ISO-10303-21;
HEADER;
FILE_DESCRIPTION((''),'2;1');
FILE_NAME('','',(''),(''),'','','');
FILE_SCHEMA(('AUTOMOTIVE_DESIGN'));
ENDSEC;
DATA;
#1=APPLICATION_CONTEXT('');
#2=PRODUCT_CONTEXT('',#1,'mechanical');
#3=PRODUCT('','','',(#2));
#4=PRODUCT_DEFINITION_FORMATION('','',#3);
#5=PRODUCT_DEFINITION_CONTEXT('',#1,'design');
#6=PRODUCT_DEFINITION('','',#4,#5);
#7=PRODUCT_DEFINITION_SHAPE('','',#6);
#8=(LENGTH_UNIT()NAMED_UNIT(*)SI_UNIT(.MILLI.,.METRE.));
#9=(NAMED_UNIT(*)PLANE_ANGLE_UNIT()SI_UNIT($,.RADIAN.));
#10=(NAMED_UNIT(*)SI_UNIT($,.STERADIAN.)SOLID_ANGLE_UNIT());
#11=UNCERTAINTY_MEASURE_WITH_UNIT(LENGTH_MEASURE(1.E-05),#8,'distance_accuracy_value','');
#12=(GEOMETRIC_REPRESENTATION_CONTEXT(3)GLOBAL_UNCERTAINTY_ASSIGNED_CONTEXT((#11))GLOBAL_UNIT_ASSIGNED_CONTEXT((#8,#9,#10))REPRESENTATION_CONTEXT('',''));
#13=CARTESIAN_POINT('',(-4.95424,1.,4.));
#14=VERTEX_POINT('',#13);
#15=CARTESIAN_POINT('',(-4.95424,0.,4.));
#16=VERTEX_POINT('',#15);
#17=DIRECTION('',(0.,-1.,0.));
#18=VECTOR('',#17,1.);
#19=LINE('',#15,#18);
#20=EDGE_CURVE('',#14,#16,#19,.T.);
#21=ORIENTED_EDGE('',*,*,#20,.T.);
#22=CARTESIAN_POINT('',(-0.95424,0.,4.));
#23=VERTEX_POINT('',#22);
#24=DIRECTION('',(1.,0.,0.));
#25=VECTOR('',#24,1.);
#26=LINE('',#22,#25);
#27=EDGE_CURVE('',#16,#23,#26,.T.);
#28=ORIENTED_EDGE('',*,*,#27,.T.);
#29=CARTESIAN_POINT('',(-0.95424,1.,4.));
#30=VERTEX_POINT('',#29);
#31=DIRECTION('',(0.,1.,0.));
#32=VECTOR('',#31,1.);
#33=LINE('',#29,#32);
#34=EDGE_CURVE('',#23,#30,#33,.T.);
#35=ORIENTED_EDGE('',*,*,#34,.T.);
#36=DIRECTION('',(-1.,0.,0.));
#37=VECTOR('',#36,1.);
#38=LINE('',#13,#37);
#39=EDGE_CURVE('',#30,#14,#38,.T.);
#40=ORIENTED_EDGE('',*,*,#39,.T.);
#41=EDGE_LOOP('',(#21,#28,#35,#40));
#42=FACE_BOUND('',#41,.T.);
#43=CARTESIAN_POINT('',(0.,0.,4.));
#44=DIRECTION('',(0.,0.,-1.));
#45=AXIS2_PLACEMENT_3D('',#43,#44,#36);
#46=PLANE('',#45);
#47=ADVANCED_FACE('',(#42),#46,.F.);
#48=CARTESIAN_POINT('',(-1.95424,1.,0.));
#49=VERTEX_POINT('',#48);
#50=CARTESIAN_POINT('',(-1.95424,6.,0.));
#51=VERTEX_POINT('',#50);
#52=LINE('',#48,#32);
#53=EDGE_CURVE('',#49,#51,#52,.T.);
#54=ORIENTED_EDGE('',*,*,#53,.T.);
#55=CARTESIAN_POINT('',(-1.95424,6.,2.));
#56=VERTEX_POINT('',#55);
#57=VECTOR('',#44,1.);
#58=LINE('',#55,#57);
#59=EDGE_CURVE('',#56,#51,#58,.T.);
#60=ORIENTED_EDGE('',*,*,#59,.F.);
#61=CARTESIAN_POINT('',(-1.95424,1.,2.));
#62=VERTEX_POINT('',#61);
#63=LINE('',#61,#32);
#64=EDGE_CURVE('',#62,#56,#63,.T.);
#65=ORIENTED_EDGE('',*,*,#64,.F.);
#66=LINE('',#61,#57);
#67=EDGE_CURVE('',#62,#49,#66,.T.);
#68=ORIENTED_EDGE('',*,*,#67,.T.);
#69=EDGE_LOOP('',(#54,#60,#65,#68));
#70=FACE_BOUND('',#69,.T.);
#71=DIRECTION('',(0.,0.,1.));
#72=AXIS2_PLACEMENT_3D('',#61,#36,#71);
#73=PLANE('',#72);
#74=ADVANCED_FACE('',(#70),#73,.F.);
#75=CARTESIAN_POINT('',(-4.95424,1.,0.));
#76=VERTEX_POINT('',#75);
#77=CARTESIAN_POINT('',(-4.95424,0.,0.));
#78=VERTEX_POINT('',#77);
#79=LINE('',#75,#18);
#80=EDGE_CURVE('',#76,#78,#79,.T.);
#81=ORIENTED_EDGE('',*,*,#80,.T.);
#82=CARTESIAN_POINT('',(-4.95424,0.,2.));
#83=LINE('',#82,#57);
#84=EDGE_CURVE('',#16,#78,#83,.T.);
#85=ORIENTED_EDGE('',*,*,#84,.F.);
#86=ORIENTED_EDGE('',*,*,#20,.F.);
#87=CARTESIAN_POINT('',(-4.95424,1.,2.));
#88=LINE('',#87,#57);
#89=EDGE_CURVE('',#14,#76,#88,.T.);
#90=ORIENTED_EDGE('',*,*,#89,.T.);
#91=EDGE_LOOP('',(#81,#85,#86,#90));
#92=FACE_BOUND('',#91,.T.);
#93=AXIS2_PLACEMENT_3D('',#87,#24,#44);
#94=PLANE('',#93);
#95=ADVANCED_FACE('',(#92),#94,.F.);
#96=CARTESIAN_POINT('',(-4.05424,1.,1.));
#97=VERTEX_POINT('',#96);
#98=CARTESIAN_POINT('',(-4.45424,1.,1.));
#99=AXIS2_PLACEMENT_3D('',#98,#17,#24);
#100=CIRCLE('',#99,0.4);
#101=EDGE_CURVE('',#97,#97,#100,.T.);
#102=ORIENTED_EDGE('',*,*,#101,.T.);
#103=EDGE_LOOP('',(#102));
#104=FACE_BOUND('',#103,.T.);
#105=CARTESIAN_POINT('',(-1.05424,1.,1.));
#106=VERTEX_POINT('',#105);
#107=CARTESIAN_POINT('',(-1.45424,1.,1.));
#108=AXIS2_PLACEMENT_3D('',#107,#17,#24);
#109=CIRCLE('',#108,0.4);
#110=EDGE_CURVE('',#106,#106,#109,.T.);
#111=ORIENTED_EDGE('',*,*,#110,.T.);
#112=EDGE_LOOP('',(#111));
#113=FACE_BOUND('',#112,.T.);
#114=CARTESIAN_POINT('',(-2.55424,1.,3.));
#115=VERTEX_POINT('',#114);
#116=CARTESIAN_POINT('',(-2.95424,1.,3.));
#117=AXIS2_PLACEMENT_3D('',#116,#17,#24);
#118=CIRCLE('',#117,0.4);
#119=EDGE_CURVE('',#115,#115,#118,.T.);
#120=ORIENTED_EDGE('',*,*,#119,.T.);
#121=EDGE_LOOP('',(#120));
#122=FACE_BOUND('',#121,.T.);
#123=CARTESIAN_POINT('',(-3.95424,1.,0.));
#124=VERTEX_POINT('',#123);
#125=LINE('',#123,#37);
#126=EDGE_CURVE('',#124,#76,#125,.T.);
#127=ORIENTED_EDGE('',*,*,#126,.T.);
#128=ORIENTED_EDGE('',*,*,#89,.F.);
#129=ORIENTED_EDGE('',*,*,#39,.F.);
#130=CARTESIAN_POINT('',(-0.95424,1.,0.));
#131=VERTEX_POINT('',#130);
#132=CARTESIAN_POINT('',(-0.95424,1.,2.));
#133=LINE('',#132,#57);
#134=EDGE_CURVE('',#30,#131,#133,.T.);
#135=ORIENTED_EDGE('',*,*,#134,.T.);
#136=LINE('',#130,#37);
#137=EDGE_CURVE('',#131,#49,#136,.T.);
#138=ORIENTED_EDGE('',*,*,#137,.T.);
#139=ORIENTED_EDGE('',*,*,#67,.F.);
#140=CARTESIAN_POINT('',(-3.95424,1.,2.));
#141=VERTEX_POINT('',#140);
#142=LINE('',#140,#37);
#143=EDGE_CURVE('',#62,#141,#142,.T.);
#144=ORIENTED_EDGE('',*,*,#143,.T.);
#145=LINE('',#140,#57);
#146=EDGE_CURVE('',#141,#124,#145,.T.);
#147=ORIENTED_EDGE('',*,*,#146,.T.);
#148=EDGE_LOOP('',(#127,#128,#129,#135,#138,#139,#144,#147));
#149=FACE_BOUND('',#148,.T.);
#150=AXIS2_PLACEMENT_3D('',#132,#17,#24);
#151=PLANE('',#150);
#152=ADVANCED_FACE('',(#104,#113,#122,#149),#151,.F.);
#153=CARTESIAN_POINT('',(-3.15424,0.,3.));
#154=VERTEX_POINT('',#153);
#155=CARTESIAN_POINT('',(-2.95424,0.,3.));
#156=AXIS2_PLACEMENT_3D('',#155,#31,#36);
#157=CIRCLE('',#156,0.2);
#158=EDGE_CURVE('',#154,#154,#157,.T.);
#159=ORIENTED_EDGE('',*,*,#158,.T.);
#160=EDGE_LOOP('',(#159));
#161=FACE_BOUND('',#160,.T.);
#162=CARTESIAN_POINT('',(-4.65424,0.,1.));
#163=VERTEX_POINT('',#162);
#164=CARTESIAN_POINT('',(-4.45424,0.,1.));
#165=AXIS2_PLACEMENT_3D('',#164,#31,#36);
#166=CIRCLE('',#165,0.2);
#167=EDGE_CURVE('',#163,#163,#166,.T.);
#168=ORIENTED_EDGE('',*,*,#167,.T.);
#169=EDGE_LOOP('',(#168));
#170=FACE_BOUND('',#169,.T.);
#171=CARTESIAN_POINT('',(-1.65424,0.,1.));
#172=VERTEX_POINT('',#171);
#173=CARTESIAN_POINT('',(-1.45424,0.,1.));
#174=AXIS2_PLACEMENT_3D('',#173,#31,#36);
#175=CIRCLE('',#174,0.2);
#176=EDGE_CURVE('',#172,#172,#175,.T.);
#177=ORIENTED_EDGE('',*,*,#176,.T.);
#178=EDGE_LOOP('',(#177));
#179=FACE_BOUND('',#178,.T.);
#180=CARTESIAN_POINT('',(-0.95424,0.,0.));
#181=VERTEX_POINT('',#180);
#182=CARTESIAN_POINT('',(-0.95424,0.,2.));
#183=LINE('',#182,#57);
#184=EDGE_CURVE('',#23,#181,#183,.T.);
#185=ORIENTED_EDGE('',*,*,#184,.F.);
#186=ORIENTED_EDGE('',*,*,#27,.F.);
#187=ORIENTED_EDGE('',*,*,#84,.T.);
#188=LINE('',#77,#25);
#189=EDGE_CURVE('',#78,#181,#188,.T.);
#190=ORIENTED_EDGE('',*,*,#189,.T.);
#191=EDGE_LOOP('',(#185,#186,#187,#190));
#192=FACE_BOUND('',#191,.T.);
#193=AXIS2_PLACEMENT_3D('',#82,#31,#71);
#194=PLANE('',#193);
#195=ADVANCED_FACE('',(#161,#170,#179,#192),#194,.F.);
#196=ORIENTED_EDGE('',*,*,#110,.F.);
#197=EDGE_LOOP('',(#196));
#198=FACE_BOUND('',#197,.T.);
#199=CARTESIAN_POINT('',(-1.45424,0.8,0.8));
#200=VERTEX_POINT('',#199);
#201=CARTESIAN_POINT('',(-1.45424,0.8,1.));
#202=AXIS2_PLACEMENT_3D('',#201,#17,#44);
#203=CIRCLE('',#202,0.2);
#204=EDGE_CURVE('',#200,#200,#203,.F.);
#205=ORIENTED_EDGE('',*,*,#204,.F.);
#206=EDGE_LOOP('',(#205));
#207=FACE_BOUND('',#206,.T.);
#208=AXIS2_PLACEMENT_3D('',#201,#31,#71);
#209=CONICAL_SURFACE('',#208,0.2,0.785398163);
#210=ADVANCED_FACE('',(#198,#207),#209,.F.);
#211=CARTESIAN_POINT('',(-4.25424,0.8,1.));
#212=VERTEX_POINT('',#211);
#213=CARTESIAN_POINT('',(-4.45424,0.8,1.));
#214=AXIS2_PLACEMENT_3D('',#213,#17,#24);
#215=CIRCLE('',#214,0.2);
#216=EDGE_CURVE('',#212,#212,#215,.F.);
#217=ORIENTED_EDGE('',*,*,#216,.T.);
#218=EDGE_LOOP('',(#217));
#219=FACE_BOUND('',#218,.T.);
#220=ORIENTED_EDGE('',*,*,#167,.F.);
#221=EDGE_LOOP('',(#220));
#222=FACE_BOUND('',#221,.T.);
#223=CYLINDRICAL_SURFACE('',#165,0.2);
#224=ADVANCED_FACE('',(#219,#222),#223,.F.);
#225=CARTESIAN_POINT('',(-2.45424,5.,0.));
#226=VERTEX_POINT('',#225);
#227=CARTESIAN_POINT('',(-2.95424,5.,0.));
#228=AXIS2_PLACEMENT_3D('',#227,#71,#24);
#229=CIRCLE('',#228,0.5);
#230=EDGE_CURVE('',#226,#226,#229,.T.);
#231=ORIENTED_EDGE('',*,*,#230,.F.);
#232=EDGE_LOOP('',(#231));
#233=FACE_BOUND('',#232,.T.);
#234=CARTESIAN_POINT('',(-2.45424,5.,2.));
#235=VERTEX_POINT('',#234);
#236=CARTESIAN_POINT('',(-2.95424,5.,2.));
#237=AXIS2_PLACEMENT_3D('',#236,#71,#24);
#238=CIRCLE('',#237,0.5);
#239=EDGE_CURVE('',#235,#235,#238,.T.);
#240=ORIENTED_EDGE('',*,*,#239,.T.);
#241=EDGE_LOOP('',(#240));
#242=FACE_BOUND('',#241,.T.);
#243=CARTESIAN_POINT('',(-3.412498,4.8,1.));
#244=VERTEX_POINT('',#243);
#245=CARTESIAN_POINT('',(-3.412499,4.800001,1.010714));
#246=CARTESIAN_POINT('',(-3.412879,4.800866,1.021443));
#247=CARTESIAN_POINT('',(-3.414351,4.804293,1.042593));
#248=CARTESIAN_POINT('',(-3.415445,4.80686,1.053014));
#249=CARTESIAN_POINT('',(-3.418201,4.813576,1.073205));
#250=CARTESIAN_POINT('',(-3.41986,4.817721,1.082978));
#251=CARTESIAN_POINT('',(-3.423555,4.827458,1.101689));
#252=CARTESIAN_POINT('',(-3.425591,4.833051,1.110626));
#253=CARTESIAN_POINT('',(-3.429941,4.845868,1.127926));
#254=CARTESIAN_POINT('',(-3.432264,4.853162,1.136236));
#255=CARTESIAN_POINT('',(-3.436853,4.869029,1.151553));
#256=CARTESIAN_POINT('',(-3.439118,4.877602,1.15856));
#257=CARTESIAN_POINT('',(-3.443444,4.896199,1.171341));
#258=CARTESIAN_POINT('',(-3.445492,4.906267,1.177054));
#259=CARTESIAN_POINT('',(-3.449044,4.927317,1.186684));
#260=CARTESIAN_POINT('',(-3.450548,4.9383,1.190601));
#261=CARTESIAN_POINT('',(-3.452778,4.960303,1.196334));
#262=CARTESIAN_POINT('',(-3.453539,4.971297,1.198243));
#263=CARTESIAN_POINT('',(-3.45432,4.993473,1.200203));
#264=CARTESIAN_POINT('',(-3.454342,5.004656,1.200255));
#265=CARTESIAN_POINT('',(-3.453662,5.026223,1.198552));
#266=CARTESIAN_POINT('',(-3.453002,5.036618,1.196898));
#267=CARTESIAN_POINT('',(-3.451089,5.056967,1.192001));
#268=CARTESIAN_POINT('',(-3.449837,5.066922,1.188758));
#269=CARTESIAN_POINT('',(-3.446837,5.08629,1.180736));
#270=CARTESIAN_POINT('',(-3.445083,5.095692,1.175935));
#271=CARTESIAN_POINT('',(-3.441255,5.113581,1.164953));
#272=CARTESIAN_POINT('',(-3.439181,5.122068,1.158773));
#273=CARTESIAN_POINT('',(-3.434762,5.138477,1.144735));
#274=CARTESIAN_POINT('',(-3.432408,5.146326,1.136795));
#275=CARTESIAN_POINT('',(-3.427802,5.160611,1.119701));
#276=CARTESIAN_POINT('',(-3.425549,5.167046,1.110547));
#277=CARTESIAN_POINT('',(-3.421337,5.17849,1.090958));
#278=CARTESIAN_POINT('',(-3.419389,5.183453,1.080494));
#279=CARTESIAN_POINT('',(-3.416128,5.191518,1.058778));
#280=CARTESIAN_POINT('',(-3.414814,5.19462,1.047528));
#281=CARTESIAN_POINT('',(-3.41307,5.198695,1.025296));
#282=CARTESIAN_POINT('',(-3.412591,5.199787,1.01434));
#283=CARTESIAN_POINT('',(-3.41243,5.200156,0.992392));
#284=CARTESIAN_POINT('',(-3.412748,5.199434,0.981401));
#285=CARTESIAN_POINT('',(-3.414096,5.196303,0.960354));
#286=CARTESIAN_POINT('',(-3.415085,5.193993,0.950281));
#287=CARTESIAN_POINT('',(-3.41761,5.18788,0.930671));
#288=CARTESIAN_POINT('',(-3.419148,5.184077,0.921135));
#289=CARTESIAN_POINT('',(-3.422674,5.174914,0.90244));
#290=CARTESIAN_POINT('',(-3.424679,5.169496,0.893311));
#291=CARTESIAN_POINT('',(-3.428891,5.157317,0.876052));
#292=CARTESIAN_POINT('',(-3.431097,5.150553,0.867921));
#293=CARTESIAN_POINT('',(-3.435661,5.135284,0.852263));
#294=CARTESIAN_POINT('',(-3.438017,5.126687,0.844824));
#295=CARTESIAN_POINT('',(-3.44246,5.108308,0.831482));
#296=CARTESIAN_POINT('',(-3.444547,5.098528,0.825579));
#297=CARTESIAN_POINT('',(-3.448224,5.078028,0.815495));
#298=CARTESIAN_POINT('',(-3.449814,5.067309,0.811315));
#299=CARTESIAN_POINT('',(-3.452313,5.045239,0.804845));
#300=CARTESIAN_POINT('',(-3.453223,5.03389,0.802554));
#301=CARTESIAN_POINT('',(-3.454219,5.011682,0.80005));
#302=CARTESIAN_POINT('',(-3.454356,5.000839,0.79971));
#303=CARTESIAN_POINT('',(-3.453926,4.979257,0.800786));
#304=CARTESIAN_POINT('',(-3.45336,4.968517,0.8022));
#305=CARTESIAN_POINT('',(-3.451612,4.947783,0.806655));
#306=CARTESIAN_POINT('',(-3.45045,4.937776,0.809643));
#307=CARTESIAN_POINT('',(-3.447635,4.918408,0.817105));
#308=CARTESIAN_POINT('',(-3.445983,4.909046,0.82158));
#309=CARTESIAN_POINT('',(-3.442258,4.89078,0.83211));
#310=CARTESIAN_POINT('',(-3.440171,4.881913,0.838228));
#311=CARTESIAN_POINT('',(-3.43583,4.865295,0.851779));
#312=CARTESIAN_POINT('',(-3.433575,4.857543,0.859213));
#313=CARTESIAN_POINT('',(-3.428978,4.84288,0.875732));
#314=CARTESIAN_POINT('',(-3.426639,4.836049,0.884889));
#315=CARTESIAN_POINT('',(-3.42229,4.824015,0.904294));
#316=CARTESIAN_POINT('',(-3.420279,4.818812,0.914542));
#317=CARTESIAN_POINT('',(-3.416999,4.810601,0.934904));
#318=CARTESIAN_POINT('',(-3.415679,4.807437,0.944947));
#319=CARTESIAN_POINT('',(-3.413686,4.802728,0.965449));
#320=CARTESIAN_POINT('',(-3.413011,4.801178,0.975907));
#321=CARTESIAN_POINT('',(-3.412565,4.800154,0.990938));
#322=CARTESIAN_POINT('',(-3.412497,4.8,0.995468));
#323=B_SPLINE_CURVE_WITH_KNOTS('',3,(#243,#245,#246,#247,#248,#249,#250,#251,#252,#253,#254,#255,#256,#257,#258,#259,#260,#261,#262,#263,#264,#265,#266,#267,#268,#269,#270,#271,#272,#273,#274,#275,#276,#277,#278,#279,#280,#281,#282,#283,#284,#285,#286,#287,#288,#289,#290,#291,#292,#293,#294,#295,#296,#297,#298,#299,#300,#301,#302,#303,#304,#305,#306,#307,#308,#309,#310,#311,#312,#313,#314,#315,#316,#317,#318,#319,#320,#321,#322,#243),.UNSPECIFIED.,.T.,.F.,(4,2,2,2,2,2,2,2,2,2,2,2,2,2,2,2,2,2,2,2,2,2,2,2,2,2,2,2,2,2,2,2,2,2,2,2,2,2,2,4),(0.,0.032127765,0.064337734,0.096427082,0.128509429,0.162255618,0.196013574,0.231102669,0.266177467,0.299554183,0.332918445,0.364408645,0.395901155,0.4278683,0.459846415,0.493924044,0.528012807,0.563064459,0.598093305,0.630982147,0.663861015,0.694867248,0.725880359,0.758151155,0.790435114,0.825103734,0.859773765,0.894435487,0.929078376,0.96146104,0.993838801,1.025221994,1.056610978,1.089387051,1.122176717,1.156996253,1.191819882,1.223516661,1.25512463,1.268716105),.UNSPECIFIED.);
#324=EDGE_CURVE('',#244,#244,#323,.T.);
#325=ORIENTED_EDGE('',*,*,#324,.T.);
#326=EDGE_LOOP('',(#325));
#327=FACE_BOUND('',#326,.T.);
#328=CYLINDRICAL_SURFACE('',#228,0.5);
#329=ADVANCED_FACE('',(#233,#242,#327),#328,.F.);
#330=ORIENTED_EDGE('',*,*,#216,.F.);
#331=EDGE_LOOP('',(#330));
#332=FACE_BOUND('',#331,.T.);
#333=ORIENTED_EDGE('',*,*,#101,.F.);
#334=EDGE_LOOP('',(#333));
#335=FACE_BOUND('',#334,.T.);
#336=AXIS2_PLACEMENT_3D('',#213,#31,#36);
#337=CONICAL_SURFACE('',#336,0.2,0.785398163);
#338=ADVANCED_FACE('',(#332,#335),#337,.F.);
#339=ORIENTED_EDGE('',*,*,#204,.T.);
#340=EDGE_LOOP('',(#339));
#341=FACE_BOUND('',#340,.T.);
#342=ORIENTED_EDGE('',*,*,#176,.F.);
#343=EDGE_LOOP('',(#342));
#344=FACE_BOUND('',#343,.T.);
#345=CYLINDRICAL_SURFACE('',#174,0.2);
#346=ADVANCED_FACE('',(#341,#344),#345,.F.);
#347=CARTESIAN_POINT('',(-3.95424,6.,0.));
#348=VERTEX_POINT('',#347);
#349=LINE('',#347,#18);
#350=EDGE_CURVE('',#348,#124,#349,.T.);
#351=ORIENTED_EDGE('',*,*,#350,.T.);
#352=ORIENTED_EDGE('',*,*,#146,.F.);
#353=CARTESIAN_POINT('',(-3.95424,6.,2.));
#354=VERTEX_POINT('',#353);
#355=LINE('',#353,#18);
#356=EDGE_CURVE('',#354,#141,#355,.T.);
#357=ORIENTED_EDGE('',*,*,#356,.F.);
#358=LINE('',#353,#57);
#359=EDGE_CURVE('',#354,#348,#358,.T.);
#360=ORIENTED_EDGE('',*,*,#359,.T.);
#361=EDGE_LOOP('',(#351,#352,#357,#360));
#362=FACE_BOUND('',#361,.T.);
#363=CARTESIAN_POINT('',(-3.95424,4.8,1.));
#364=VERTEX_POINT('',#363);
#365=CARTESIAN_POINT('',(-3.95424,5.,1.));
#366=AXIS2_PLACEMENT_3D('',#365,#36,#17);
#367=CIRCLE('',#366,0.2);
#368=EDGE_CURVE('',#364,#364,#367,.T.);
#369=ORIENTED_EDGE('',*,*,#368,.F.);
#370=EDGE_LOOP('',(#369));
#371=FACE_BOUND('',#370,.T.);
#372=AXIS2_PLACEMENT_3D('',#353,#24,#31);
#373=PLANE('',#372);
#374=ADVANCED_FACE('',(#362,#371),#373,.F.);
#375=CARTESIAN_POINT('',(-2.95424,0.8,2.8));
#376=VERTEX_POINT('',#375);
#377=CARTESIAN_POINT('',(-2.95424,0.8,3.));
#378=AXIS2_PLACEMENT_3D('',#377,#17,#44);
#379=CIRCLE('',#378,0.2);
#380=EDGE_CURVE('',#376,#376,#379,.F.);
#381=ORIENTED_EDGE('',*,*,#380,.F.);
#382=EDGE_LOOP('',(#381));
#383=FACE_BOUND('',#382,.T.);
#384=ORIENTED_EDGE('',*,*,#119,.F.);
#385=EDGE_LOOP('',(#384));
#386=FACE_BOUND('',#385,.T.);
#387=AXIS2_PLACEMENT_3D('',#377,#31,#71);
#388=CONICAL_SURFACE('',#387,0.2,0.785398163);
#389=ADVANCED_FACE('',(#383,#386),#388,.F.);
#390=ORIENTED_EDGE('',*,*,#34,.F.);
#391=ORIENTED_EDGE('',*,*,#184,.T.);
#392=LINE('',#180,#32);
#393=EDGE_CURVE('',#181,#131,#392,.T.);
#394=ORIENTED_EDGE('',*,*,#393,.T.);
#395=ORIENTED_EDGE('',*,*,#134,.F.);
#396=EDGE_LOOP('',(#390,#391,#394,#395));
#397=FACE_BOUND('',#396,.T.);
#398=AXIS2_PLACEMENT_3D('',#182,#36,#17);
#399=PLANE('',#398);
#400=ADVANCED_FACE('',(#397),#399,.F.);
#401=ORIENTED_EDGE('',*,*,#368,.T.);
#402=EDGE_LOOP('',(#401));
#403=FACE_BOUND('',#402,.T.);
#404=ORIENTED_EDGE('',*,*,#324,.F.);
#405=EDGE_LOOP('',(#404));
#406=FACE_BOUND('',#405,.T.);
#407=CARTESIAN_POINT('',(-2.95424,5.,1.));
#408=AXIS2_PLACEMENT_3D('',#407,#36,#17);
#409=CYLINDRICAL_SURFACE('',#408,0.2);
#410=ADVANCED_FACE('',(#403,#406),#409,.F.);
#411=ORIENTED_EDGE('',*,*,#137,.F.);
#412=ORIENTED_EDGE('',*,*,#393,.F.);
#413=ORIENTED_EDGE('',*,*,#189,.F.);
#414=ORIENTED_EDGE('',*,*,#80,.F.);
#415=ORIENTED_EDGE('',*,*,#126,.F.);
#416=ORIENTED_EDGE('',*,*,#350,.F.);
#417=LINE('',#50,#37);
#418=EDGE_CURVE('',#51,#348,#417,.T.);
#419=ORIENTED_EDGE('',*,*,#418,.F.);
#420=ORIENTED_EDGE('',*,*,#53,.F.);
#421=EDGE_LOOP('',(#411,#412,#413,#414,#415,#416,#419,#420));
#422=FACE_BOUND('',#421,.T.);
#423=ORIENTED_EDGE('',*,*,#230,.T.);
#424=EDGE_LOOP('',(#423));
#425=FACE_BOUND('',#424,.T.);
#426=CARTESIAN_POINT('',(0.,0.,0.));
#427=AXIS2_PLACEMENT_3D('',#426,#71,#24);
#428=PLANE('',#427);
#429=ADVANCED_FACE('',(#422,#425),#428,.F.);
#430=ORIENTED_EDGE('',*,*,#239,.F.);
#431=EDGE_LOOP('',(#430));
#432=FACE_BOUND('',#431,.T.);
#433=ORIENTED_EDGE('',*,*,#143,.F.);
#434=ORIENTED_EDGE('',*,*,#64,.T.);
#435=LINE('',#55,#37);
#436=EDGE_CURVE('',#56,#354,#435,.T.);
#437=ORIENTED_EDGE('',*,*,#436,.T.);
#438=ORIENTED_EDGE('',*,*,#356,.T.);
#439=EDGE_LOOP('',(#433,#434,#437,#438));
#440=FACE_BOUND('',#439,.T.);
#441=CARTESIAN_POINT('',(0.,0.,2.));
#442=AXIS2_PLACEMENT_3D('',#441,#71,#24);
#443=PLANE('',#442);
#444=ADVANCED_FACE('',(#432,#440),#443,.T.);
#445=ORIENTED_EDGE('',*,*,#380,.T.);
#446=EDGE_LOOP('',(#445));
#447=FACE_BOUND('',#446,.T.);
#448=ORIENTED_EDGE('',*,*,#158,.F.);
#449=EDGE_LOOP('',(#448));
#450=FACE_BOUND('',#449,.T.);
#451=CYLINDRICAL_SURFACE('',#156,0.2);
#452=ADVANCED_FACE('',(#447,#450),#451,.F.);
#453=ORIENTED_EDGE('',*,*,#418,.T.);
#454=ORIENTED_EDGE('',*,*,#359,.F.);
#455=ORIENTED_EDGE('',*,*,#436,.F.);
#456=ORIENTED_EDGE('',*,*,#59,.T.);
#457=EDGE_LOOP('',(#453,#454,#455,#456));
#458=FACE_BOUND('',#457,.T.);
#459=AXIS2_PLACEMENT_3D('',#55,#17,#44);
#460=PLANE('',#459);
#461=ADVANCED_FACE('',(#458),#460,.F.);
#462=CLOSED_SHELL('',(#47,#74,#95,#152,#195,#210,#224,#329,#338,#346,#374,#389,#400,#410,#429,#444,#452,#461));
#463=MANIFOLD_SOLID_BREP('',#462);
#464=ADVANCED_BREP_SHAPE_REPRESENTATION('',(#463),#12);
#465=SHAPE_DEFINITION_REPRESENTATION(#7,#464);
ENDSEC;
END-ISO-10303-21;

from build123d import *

# Parameters (mm, degrees)
BOSS_EXTRU_2_DEPTH      = 2
BOSS_EXTRU_3_DEPTH      = 2
ESQUISSE4_R             = 0.5
ENL_V_MAT_EXTRU_1_DEPTH = 2
ESQUISSE5_R             = 0.2
ENL_V_MAT_EXTRU_2_DEPTH = 1
ESQUISSE6_R             = 0.2
ENL_V_MAT_EXTRU_3_DEPTH = 1
CHANFREIN1_SIZE         = 0.2
CHANFREIN2_SIZE         = 0.2
CHANFREIN3_SIZE         = 0.2


with BuildPart() as part:
    # Esquisse1 → Boss.-Extru.2 (new body)
    with BuildSketch(Plane.XY):
        Polygon((-4.954240171, 0), (-0.954240171, 0), (-0.954240171, 1), (-1.954240171, 1), (-1.954240171, 6), (-3.954240171, 6), (-3.954240171, 1), (-4.954240171, 1), align=None)
    extrude(amount=BOSS_EXTRU_2_DEPTH)

    # Esquisse3 → Boss.-Extru.3 (add)
    with BuildSketch(Plane.XY.offset(2)):
        Polygon((-3.954240171, 1), (-1.954240171, 1), (-0.954240171, 1), (-0.954240171, 0), (-4.954240171, 0), (-4.954240171, 1), align=None)
    extrude(amount=BOSS_EXTRU_3_DEPTH)

    # Esquisse4 → Enlèv. mat.-Extru.1 (cut)
    with BuildSketch(Plane.XY.offset(2)):
        with Locations((-2.954240171, 5)):
            Circle(ESQUISSE4_R)
    extrude(amount=-ENL_V_MAT_EXTRU_1_DEPTH, mode=Mode.SUBTRACT)

    # Esquisse5 → Enlèv. mat.-Extru.2 (cut)
    with BuildSketch(Plane.ZY.offset(3.954240171)):
        with Locations((1, 5)):
            Circle(ESQUISSE5_R)
    extrude(amount=-ENL_V_MAT_EXTRU_2_DEPTH, mode=Mode.SUBTRACT)

    # Esquisse6 → Enlèv. mat.-Extru.3 (cut)
    with BuildSketch(Plane(origin=(0, 1, 0), x_dir=(1, 0, 0), z_dir=(0, 1, 0))):
        with Locations((-4.454240171, -1)):
            Circle(ESQUISSE6_R)
        with Locations((-1.454240171, -1)):
            Circle(ESQUISSE6_R)
        with Locations((-2.954240171, -3)):
            Circle(ESQUISSE6_R)
    extrude(amount=-ENL_V_MAT_EXTRU_3_DEPTH, mode=Mode.SUBTRACT)

    # Chanfrein1
    chanfrein1_edges = [part.edges().sort_by_distance(p)[0] for p in [
        (-3.154240171, 1, 3),
    ]]
    chamfer(chanfrein1_edges, length=CHANFREIN1_SIZE)

    # Chanfrein2
    chanfrein2_edges = [part.edges().sort_by_distance(p)[0] for p in [
        (-1.654240171, 1, 1),
    ]]
    chamfer(chanfrein2_edges, length=CHANFREIN2_SIZE)

    # Chanfrein3
    chanfrein3_edges = [part.edges().sort_by_distance(p)[0] for p in [
        (-4.654240171, 1, 1),
    ]]
    chamfer(chanfrein3_edges, length=CHANFREIN3_SIZE)


solid = part.part
